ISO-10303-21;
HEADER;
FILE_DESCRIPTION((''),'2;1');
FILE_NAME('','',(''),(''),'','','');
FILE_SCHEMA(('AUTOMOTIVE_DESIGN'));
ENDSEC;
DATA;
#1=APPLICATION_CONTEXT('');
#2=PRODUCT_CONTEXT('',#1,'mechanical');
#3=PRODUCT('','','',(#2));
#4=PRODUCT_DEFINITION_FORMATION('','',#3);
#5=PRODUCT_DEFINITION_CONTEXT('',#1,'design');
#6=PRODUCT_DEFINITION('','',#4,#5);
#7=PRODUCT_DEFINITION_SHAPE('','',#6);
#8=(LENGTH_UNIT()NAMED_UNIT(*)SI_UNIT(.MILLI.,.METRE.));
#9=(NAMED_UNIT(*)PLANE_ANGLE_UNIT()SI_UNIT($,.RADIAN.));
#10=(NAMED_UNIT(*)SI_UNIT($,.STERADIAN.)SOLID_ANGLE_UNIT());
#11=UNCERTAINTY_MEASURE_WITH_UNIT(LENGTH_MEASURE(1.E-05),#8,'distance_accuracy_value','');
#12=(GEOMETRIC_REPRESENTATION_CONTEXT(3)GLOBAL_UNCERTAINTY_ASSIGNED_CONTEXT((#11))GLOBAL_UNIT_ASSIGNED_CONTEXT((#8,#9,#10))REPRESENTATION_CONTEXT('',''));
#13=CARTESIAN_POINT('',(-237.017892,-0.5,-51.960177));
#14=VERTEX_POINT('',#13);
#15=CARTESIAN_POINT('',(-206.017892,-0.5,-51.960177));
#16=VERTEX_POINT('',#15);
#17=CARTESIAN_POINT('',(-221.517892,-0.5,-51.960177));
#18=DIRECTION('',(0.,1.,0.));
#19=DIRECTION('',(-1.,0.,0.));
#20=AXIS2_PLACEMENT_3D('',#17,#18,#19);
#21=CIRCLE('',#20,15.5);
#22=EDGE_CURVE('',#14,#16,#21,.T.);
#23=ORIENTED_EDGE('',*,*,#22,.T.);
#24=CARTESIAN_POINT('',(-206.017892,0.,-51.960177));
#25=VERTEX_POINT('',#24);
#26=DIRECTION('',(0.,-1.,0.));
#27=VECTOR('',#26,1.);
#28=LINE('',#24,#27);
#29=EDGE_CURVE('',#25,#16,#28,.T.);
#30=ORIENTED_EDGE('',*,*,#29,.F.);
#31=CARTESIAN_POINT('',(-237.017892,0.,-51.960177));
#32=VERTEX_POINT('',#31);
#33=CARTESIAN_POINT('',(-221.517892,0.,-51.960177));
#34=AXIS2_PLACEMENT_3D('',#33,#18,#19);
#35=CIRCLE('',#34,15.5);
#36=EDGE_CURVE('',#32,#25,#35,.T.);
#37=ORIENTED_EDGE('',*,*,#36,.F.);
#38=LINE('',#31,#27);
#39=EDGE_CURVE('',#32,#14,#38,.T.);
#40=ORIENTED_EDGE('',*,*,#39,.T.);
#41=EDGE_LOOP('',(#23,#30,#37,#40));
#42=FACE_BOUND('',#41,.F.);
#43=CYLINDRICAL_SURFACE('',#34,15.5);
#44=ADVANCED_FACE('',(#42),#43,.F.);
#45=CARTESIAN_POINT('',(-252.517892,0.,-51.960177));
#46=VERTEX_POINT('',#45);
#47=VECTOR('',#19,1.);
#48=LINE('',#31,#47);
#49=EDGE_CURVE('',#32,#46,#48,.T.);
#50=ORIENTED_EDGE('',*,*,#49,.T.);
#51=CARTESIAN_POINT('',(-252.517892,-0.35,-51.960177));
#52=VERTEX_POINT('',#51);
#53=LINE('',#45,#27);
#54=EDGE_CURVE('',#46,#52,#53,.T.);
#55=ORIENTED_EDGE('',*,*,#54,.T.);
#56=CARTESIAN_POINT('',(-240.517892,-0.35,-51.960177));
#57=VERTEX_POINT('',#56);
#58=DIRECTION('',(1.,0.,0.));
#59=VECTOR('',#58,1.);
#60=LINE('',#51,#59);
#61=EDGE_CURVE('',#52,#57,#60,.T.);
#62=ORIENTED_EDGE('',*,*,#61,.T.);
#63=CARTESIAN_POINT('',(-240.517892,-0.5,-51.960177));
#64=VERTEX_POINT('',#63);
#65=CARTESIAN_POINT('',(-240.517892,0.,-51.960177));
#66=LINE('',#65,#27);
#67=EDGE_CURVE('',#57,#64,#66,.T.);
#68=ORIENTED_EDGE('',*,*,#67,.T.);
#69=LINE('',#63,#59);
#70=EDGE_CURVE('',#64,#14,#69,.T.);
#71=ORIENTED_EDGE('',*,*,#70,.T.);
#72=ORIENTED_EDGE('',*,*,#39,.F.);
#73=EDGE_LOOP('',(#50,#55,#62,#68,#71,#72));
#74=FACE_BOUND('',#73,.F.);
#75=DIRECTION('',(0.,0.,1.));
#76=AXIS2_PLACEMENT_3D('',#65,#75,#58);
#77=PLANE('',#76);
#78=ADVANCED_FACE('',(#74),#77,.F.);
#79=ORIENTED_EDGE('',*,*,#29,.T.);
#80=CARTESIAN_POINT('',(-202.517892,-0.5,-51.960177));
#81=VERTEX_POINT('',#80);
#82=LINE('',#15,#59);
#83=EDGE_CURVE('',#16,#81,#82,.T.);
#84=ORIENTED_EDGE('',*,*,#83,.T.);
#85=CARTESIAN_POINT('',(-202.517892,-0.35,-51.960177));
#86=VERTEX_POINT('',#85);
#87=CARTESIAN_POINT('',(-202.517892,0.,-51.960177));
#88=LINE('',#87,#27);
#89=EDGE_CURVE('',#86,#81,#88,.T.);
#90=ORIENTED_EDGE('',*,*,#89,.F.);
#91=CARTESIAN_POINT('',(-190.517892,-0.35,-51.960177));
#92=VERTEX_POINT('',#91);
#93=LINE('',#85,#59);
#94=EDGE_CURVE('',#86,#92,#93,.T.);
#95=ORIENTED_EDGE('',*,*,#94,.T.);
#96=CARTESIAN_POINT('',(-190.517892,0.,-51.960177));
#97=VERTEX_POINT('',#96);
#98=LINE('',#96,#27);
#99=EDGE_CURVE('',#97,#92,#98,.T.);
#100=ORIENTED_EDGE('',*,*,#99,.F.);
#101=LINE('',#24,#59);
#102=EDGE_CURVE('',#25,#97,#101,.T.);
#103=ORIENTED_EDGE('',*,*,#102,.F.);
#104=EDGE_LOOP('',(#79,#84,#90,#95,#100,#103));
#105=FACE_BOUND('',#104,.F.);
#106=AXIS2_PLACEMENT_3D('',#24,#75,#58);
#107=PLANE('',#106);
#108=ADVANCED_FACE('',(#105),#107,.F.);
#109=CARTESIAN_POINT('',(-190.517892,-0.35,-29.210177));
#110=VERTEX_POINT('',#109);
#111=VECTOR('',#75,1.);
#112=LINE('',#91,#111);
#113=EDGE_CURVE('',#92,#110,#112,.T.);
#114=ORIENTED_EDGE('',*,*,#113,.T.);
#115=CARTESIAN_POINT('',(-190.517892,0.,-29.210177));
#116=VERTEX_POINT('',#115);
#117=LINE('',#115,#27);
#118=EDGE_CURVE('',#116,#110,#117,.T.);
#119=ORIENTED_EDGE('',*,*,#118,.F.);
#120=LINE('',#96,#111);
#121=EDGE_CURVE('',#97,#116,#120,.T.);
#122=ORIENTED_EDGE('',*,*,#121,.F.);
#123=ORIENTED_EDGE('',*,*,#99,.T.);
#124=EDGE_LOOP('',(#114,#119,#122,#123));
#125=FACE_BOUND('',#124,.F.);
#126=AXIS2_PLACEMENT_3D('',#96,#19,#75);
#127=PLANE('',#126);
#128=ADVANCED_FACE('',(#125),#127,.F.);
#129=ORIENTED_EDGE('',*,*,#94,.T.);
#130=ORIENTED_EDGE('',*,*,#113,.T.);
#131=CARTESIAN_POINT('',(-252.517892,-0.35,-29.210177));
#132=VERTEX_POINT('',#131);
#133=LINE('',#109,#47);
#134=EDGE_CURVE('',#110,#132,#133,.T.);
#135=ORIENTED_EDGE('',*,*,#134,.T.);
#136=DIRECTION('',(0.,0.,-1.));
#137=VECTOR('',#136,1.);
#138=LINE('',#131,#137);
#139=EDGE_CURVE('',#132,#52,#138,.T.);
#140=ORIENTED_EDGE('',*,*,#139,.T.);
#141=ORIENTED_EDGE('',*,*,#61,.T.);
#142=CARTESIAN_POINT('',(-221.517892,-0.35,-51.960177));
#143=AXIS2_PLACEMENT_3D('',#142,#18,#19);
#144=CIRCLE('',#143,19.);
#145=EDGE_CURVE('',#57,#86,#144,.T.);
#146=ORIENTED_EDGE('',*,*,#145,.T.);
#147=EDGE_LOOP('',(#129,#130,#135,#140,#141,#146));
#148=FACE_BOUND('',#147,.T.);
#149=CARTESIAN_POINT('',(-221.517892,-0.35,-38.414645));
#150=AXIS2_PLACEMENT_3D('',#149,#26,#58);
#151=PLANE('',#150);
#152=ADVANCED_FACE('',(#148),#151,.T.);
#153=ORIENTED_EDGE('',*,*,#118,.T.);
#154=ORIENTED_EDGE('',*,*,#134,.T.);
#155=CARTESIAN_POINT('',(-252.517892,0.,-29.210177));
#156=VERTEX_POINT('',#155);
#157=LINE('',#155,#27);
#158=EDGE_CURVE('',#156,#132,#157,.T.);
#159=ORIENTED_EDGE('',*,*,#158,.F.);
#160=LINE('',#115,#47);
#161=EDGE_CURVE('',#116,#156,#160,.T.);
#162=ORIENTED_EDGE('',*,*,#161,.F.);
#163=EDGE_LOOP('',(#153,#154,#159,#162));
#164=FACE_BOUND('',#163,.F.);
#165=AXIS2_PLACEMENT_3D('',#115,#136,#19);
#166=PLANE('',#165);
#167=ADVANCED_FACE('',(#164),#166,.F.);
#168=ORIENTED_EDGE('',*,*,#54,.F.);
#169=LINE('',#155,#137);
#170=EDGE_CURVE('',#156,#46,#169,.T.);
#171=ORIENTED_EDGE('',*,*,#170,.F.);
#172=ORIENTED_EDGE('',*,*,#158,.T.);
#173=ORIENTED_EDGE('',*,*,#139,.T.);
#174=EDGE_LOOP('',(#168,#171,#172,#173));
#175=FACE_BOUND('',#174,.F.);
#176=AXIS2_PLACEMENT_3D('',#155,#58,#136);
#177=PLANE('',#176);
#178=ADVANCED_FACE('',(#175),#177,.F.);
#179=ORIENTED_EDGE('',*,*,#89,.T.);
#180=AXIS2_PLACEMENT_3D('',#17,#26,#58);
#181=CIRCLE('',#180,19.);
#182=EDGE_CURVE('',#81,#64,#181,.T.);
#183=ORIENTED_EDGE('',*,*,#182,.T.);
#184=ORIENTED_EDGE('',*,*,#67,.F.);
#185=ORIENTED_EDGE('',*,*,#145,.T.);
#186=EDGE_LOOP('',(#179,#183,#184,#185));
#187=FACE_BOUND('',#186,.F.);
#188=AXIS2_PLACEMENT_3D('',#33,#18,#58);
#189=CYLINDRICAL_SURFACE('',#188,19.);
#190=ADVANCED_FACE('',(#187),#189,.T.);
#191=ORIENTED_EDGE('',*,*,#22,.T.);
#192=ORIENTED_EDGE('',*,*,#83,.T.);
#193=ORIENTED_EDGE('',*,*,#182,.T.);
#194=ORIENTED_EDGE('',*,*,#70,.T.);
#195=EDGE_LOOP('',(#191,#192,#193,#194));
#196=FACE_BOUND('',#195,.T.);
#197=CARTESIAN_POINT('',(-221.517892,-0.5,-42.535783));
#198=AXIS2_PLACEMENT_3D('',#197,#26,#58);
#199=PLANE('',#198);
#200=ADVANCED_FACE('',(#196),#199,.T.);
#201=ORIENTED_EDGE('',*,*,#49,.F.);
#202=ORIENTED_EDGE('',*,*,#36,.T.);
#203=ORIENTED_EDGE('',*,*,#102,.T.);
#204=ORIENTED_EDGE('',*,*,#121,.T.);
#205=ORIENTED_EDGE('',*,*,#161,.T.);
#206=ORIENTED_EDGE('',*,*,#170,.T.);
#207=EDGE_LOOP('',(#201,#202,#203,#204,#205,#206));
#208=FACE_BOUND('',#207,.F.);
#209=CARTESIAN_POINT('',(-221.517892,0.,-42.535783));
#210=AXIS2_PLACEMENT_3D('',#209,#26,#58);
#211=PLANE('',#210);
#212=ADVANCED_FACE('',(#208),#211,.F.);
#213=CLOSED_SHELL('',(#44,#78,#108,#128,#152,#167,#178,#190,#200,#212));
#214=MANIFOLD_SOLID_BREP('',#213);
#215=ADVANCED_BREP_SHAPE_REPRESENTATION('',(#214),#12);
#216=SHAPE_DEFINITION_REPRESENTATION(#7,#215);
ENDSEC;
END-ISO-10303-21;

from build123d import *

# Parameters (mm, degrees)
F1_DEPTH = 0.35
F2_DEPTH = 0.5


with BuildPart() as f1:
    # F0 (on Front) → F1 (new body)
    with BuildSketch(Plane.XZ):
        with BuildLine():
            Line((-190.517892, -51.960177), (-190.517892, -29.210177))
            Line((-190.517892, -29.210177), (-252.517892, -29.210177))
            Line((-252.517892, -29.210177), (-252.517892, -51.960177))
            Line((-252.517892, -51.960177), (-240.517892, -51.960177))
            ThreePointArc((-240.517892, -51.960177), (-221.517892, -32.960177), (-202.517892, -51.960177))
            Line((-202.517892, -51.960177), (-190.517892, -51.960177))
        make_face()
    extrude(amount=F1_DEPTH)

    # F0 (on Front) → F2 (join)
    with BuildSketch(Plane.XZ):
        with BuildLine():
            Line((-206.017892, -51.960177), (-202.517892, -51.960177))
            ThreePointArc((-202.517892, -51.960177), (-221.517892, -32.960177), (-240.517892, -51.960177))
            Line((-240.517892, -51.960177), (-237.017892, -51.960177))
            ThreePointArc((-237.017892, -51.960177), (-221.517892, -36.460177), (-206.017892, -51.960177))
        make_face()
    extrude(amount=F2_DEPTH)


solid = f1.part
